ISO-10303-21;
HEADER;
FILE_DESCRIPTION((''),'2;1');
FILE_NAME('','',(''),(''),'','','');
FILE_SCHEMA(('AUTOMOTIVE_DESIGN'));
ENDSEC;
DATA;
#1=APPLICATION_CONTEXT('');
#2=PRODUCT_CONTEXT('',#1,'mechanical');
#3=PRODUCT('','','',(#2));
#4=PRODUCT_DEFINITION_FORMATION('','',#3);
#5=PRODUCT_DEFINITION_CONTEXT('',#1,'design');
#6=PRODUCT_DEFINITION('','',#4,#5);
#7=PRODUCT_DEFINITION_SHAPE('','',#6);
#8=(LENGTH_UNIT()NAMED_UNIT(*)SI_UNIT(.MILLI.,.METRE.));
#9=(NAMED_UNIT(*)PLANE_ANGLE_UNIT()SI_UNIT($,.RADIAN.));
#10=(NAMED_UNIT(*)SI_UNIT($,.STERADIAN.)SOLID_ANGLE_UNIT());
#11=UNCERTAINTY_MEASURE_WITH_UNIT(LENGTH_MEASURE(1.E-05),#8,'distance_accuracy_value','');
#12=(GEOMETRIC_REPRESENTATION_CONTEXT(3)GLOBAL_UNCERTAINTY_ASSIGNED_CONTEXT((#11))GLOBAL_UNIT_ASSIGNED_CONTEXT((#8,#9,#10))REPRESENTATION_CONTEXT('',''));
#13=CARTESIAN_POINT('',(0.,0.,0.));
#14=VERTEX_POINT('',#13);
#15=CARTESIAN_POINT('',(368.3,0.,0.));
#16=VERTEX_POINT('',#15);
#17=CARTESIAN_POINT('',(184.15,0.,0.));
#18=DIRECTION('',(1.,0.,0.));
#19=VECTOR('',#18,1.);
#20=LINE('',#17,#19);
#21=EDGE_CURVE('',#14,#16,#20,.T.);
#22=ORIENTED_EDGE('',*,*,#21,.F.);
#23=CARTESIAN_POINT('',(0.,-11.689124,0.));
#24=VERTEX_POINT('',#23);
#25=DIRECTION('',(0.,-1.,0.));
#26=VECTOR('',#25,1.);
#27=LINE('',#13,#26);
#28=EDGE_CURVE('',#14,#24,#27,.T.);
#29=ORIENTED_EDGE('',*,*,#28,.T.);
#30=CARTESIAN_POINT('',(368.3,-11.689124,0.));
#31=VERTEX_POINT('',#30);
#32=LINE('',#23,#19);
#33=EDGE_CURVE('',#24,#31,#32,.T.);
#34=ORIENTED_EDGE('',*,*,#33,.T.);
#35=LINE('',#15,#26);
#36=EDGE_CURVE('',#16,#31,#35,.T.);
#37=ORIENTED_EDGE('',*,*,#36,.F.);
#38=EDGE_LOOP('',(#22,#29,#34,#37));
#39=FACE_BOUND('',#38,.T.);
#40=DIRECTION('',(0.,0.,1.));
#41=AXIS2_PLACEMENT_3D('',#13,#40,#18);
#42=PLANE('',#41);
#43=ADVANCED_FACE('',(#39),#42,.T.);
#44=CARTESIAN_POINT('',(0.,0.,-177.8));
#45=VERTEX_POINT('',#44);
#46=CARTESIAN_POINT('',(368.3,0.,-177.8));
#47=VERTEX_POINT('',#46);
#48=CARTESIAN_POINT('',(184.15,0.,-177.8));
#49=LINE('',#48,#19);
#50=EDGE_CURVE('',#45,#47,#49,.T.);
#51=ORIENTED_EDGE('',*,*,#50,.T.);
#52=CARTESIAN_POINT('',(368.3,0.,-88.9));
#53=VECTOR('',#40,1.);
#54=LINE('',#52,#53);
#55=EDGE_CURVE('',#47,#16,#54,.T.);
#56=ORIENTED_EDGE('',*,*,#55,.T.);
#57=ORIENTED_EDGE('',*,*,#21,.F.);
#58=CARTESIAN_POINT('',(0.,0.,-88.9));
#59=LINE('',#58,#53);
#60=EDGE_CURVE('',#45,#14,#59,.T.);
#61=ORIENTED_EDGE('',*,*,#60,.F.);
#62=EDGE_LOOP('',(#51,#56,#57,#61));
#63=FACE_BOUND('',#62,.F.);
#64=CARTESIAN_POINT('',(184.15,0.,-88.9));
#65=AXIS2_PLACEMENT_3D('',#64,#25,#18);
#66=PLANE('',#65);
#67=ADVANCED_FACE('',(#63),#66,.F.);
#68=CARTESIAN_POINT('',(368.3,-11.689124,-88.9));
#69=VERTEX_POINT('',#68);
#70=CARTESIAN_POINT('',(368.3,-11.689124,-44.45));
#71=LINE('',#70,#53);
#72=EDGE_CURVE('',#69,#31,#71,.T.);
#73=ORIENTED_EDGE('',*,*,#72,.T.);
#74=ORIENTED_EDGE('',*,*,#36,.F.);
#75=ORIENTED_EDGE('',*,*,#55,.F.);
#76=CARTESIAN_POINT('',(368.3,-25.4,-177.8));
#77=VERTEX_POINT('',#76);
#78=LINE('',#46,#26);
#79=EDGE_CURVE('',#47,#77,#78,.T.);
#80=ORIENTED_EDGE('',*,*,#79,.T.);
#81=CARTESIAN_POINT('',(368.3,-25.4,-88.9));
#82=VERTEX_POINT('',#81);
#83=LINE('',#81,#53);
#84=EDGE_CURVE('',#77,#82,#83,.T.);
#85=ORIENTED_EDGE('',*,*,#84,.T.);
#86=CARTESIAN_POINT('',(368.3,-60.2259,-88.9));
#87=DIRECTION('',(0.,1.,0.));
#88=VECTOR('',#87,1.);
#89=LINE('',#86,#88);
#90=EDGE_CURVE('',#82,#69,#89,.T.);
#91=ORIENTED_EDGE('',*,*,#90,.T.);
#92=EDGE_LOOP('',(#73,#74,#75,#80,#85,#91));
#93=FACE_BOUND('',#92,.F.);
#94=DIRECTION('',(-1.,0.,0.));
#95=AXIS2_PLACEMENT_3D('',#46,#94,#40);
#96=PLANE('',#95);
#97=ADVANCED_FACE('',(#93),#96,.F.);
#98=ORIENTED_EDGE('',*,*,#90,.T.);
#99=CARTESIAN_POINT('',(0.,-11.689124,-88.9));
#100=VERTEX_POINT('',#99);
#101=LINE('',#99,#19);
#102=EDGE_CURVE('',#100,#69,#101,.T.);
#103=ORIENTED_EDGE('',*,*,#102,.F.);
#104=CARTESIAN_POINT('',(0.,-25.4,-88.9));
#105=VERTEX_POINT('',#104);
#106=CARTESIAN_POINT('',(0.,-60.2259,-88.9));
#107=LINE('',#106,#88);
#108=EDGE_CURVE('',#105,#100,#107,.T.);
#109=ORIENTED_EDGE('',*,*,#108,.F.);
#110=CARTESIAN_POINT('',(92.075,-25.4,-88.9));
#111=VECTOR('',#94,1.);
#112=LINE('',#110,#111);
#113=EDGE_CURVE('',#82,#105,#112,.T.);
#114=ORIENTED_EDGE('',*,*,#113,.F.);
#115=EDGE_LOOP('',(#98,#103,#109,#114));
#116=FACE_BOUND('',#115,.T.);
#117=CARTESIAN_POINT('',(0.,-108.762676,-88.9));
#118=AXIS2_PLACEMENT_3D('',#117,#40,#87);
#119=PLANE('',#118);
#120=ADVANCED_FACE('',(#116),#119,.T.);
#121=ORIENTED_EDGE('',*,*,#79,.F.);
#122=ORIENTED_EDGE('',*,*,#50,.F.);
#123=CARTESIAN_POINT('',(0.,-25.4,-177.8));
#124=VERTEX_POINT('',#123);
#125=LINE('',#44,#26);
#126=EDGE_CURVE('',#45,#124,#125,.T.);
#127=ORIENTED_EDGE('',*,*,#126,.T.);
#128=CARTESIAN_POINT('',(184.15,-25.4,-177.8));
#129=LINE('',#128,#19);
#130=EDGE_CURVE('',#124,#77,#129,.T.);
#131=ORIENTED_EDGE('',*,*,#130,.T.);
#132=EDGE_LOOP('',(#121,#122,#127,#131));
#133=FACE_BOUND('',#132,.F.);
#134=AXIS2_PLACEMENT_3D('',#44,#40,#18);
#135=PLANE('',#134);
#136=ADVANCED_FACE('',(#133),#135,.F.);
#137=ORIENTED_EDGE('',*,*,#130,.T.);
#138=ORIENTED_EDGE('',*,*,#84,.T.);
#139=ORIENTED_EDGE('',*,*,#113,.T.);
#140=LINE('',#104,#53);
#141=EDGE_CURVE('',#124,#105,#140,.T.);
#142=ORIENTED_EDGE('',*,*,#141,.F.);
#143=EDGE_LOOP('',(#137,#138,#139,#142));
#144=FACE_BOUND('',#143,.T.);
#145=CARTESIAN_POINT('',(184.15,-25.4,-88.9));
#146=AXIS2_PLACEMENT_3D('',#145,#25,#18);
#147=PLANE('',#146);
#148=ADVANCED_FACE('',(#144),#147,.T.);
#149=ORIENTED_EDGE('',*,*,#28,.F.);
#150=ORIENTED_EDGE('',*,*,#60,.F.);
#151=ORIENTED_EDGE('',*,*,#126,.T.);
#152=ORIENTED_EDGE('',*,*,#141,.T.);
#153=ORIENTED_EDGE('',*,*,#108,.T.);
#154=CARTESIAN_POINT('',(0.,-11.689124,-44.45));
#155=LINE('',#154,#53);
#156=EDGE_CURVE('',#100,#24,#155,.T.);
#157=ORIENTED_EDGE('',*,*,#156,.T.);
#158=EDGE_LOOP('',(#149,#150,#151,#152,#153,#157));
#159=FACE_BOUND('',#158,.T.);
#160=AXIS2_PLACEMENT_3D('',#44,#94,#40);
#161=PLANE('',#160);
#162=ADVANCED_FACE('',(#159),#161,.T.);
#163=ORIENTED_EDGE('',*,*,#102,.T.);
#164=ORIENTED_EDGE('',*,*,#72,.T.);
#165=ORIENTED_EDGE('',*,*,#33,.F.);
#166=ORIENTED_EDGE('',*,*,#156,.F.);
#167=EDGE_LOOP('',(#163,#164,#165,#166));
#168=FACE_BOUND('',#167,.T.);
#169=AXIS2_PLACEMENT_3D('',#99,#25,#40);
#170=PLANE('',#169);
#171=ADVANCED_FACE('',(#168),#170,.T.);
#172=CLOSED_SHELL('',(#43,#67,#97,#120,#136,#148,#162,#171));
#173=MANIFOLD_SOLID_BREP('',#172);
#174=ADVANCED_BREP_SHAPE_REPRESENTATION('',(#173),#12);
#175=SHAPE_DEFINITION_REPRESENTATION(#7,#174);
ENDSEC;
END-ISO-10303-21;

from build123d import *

# Parameters (mm, degrees)
F0_W     = 368.3
F0_H     = 177.8
F1_DEPTH = 25.4
F2_W     = 97.073552
F2_H     = 88.9
F3_DEPTH = 368.3


with BuildPart() as f1:
    # F0 (on Front) → F1 (new body)
    with BuildSketch(Plane.XZ):
        with Locations((184.15, -88.9)):
            Rectangle(F0_W, F0_H)
    extrude(amount=F1_DEPTH)

    # F2 (on Right) → F3 (cut)
    with BuildSketch(Plane.YZ):
        with Locations((-60.2259, -44.45)):
            Rectangle(F2_W, F2_H)
    extrude(amount=F3_DEPTH, mode=Mode.SUBTRACT)


solid = f1.part
